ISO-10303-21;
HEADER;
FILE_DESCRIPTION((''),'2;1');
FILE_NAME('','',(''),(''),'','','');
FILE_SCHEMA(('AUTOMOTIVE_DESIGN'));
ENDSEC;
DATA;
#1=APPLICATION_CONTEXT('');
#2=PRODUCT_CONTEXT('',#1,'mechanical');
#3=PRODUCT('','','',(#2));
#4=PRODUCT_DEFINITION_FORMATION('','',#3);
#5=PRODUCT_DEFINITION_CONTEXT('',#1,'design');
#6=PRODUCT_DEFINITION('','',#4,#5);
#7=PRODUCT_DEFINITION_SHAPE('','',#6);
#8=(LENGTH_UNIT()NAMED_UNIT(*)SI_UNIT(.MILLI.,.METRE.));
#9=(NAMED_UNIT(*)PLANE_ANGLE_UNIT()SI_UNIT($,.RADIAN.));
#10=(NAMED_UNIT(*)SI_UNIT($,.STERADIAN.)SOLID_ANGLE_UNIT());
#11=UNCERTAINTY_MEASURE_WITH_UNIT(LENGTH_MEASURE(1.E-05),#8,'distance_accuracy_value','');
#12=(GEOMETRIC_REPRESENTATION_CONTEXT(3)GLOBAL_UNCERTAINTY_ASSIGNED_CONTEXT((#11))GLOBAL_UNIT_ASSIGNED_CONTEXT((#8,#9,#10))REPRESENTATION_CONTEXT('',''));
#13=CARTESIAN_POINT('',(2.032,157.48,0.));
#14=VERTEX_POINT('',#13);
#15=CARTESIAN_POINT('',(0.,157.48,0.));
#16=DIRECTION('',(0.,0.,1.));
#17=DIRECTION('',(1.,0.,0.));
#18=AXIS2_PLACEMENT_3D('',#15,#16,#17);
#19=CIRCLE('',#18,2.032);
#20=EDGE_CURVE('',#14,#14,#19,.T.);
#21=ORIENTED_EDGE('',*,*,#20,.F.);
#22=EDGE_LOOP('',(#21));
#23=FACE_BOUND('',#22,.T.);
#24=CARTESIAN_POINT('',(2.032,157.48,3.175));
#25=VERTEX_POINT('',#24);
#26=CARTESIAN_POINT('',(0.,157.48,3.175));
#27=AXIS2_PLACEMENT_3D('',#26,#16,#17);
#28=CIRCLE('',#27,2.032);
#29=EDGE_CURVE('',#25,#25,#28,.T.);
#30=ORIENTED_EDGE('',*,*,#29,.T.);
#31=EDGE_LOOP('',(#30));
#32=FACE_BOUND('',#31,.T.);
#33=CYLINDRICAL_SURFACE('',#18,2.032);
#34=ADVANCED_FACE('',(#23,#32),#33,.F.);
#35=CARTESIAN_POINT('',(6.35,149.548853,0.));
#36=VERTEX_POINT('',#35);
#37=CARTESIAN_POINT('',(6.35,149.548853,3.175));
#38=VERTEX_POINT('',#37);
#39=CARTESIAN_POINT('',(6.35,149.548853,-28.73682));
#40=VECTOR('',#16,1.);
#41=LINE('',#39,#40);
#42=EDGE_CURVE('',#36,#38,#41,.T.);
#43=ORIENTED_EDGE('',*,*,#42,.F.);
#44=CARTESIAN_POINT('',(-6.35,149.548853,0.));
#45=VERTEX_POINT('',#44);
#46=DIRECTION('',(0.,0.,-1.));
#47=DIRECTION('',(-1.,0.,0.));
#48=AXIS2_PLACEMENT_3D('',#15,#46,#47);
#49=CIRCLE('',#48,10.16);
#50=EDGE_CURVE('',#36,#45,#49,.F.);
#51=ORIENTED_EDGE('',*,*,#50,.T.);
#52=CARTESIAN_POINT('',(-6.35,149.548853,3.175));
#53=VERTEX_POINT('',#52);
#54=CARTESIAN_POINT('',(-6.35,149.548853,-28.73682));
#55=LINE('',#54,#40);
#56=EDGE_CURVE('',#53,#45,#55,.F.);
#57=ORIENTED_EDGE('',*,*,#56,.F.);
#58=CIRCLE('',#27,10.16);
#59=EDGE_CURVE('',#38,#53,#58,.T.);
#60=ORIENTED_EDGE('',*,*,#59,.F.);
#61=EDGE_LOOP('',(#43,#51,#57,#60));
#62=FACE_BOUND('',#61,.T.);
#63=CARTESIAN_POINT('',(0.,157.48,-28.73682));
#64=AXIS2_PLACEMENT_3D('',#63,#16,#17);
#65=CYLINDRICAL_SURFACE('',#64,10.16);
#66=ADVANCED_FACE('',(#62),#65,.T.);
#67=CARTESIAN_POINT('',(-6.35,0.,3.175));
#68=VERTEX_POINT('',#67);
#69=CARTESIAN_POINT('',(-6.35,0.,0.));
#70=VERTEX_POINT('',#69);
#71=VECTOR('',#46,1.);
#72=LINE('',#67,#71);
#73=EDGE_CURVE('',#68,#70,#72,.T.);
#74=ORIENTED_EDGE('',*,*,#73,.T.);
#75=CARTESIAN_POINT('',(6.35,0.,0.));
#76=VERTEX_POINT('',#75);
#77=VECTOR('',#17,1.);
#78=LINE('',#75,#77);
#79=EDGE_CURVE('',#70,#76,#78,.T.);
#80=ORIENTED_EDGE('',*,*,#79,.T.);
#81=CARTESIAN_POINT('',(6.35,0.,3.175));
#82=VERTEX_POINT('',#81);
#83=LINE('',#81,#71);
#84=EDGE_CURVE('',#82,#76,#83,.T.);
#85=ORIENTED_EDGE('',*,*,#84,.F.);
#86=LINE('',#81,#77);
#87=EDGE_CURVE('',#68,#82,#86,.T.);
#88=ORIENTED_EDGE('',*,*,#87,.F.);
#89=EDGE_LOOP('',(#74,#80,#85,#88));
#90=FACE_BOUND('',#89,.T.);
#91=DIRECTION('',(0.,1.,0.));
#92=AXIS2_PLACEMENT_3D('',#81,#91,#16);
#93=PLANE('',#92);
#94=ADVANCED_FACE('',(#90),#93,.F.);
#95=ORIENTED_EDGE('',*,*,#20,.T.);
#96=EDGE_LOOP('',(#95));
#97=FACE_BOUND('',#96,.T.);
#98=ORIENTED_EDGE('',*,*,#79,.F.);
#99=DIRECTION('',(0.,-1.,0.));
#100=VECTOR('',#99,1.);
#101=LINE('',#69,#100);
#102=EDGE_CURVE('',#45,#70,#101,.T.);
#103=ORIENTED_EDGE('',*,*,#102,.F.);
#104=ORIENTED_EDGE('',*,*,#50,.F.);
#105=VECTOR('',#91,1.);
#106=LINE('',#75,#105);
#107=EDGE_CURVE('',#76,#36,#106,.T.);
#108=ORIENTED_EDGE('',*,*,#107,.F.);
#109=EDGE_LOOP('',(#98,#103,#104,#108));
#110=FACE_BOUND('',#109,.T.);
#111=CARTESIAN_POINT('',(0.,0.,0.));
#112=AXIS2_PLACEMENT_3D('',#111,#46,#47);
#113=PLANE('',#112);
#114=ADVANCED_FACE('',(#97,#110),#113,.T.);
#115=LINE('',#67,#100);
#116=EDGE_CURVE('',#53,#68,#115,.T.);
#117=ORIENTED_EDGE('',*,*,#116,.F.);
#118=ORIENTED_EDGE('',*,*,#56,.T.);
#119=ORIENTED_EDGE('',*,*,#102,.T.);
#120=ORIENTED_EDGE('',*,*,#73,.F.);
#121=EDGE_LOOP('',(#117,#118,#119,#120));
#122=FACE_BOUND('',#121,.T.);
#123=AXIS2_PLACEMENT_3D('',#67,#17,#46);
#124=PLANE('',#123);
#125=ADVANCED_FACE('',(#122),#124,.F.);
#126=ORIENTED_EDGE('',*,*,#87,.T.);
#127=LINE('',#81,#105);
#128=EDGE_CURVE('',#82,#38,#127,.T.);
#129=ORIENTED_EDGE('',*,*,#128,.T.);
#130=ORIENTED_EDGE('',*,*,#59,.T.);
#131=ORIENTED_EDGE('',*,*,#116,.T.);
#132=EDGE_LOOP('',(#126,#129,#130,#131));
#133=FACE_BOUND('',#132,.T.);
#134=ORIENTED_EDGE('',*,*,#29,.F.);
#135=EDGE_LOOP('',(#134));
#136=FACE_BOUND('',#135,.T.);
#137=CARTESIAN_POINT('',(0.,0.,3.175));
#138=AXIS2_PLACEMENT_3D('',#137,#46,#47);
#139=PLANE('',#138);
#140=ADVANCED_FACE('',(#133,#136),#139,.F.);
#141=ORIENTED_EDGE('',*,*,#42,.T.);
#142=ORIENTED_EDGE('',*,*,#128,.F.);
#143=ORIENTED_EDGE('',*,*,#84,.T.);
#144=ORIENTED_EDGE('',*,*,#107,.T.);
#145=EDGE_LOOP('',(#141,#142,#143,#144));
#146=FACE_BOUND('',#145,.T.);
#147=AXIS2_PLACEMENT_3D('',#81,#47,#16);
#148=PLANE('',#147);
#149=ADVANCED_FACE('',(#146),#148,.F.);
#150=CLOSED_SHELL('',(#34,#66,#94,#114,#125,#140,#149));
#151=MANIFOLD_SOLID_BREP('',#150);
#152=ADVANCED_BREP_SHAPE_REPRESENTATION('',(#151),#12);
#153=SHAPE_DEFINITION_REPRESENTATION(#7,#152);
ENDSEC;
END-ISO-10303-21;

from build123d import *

# Parameters (mm, degrees)
SKETCH1_W           = 12.7
SKETCH1_H           = 165.1
BOSS_EXTRUDE1_DEPTH = 3.175
SKETCH3_R           = 10.16
BOSS_EXTRUDE2_DEPTH = 3.175
SKETCH4_R           = 2.032
CUT_EXTRUDE2_DEPTH  = 168.977605129


with BuildPart() as part:
    # Sketch1 → Boss-Extrude1 (new body)
    with BuildSketch(Plane.XY):
        with Locations((0, 82.55)):
            Rectangle(SKETCH1_W, SKETCH1_H)
    extrude(amount=BOSS_EXTRUDE1_DEPTH)

    # Sketch3 → Boss-Extrude2 (add)
    with BuildSketch(Plane.XY.offset(3.175)):
        with Locations((0, 157.48)):
            Circle(SKETCH3_R)
    extrude(amount=-BOSS_EXTRUDE2_DEPTH)

    # Sketch4 → Cut-Extrude2 (cut, through all)
    with BuildSketch(Plane.XY.offset(3.175)):
        with Locations((0, 157.48)):
            Circle(SKETCH4_R)
    extrude(amount=-CUT_EXTRUDE2_DEPTH, mode=Mode.SUBTRACT)


solid = part.part
